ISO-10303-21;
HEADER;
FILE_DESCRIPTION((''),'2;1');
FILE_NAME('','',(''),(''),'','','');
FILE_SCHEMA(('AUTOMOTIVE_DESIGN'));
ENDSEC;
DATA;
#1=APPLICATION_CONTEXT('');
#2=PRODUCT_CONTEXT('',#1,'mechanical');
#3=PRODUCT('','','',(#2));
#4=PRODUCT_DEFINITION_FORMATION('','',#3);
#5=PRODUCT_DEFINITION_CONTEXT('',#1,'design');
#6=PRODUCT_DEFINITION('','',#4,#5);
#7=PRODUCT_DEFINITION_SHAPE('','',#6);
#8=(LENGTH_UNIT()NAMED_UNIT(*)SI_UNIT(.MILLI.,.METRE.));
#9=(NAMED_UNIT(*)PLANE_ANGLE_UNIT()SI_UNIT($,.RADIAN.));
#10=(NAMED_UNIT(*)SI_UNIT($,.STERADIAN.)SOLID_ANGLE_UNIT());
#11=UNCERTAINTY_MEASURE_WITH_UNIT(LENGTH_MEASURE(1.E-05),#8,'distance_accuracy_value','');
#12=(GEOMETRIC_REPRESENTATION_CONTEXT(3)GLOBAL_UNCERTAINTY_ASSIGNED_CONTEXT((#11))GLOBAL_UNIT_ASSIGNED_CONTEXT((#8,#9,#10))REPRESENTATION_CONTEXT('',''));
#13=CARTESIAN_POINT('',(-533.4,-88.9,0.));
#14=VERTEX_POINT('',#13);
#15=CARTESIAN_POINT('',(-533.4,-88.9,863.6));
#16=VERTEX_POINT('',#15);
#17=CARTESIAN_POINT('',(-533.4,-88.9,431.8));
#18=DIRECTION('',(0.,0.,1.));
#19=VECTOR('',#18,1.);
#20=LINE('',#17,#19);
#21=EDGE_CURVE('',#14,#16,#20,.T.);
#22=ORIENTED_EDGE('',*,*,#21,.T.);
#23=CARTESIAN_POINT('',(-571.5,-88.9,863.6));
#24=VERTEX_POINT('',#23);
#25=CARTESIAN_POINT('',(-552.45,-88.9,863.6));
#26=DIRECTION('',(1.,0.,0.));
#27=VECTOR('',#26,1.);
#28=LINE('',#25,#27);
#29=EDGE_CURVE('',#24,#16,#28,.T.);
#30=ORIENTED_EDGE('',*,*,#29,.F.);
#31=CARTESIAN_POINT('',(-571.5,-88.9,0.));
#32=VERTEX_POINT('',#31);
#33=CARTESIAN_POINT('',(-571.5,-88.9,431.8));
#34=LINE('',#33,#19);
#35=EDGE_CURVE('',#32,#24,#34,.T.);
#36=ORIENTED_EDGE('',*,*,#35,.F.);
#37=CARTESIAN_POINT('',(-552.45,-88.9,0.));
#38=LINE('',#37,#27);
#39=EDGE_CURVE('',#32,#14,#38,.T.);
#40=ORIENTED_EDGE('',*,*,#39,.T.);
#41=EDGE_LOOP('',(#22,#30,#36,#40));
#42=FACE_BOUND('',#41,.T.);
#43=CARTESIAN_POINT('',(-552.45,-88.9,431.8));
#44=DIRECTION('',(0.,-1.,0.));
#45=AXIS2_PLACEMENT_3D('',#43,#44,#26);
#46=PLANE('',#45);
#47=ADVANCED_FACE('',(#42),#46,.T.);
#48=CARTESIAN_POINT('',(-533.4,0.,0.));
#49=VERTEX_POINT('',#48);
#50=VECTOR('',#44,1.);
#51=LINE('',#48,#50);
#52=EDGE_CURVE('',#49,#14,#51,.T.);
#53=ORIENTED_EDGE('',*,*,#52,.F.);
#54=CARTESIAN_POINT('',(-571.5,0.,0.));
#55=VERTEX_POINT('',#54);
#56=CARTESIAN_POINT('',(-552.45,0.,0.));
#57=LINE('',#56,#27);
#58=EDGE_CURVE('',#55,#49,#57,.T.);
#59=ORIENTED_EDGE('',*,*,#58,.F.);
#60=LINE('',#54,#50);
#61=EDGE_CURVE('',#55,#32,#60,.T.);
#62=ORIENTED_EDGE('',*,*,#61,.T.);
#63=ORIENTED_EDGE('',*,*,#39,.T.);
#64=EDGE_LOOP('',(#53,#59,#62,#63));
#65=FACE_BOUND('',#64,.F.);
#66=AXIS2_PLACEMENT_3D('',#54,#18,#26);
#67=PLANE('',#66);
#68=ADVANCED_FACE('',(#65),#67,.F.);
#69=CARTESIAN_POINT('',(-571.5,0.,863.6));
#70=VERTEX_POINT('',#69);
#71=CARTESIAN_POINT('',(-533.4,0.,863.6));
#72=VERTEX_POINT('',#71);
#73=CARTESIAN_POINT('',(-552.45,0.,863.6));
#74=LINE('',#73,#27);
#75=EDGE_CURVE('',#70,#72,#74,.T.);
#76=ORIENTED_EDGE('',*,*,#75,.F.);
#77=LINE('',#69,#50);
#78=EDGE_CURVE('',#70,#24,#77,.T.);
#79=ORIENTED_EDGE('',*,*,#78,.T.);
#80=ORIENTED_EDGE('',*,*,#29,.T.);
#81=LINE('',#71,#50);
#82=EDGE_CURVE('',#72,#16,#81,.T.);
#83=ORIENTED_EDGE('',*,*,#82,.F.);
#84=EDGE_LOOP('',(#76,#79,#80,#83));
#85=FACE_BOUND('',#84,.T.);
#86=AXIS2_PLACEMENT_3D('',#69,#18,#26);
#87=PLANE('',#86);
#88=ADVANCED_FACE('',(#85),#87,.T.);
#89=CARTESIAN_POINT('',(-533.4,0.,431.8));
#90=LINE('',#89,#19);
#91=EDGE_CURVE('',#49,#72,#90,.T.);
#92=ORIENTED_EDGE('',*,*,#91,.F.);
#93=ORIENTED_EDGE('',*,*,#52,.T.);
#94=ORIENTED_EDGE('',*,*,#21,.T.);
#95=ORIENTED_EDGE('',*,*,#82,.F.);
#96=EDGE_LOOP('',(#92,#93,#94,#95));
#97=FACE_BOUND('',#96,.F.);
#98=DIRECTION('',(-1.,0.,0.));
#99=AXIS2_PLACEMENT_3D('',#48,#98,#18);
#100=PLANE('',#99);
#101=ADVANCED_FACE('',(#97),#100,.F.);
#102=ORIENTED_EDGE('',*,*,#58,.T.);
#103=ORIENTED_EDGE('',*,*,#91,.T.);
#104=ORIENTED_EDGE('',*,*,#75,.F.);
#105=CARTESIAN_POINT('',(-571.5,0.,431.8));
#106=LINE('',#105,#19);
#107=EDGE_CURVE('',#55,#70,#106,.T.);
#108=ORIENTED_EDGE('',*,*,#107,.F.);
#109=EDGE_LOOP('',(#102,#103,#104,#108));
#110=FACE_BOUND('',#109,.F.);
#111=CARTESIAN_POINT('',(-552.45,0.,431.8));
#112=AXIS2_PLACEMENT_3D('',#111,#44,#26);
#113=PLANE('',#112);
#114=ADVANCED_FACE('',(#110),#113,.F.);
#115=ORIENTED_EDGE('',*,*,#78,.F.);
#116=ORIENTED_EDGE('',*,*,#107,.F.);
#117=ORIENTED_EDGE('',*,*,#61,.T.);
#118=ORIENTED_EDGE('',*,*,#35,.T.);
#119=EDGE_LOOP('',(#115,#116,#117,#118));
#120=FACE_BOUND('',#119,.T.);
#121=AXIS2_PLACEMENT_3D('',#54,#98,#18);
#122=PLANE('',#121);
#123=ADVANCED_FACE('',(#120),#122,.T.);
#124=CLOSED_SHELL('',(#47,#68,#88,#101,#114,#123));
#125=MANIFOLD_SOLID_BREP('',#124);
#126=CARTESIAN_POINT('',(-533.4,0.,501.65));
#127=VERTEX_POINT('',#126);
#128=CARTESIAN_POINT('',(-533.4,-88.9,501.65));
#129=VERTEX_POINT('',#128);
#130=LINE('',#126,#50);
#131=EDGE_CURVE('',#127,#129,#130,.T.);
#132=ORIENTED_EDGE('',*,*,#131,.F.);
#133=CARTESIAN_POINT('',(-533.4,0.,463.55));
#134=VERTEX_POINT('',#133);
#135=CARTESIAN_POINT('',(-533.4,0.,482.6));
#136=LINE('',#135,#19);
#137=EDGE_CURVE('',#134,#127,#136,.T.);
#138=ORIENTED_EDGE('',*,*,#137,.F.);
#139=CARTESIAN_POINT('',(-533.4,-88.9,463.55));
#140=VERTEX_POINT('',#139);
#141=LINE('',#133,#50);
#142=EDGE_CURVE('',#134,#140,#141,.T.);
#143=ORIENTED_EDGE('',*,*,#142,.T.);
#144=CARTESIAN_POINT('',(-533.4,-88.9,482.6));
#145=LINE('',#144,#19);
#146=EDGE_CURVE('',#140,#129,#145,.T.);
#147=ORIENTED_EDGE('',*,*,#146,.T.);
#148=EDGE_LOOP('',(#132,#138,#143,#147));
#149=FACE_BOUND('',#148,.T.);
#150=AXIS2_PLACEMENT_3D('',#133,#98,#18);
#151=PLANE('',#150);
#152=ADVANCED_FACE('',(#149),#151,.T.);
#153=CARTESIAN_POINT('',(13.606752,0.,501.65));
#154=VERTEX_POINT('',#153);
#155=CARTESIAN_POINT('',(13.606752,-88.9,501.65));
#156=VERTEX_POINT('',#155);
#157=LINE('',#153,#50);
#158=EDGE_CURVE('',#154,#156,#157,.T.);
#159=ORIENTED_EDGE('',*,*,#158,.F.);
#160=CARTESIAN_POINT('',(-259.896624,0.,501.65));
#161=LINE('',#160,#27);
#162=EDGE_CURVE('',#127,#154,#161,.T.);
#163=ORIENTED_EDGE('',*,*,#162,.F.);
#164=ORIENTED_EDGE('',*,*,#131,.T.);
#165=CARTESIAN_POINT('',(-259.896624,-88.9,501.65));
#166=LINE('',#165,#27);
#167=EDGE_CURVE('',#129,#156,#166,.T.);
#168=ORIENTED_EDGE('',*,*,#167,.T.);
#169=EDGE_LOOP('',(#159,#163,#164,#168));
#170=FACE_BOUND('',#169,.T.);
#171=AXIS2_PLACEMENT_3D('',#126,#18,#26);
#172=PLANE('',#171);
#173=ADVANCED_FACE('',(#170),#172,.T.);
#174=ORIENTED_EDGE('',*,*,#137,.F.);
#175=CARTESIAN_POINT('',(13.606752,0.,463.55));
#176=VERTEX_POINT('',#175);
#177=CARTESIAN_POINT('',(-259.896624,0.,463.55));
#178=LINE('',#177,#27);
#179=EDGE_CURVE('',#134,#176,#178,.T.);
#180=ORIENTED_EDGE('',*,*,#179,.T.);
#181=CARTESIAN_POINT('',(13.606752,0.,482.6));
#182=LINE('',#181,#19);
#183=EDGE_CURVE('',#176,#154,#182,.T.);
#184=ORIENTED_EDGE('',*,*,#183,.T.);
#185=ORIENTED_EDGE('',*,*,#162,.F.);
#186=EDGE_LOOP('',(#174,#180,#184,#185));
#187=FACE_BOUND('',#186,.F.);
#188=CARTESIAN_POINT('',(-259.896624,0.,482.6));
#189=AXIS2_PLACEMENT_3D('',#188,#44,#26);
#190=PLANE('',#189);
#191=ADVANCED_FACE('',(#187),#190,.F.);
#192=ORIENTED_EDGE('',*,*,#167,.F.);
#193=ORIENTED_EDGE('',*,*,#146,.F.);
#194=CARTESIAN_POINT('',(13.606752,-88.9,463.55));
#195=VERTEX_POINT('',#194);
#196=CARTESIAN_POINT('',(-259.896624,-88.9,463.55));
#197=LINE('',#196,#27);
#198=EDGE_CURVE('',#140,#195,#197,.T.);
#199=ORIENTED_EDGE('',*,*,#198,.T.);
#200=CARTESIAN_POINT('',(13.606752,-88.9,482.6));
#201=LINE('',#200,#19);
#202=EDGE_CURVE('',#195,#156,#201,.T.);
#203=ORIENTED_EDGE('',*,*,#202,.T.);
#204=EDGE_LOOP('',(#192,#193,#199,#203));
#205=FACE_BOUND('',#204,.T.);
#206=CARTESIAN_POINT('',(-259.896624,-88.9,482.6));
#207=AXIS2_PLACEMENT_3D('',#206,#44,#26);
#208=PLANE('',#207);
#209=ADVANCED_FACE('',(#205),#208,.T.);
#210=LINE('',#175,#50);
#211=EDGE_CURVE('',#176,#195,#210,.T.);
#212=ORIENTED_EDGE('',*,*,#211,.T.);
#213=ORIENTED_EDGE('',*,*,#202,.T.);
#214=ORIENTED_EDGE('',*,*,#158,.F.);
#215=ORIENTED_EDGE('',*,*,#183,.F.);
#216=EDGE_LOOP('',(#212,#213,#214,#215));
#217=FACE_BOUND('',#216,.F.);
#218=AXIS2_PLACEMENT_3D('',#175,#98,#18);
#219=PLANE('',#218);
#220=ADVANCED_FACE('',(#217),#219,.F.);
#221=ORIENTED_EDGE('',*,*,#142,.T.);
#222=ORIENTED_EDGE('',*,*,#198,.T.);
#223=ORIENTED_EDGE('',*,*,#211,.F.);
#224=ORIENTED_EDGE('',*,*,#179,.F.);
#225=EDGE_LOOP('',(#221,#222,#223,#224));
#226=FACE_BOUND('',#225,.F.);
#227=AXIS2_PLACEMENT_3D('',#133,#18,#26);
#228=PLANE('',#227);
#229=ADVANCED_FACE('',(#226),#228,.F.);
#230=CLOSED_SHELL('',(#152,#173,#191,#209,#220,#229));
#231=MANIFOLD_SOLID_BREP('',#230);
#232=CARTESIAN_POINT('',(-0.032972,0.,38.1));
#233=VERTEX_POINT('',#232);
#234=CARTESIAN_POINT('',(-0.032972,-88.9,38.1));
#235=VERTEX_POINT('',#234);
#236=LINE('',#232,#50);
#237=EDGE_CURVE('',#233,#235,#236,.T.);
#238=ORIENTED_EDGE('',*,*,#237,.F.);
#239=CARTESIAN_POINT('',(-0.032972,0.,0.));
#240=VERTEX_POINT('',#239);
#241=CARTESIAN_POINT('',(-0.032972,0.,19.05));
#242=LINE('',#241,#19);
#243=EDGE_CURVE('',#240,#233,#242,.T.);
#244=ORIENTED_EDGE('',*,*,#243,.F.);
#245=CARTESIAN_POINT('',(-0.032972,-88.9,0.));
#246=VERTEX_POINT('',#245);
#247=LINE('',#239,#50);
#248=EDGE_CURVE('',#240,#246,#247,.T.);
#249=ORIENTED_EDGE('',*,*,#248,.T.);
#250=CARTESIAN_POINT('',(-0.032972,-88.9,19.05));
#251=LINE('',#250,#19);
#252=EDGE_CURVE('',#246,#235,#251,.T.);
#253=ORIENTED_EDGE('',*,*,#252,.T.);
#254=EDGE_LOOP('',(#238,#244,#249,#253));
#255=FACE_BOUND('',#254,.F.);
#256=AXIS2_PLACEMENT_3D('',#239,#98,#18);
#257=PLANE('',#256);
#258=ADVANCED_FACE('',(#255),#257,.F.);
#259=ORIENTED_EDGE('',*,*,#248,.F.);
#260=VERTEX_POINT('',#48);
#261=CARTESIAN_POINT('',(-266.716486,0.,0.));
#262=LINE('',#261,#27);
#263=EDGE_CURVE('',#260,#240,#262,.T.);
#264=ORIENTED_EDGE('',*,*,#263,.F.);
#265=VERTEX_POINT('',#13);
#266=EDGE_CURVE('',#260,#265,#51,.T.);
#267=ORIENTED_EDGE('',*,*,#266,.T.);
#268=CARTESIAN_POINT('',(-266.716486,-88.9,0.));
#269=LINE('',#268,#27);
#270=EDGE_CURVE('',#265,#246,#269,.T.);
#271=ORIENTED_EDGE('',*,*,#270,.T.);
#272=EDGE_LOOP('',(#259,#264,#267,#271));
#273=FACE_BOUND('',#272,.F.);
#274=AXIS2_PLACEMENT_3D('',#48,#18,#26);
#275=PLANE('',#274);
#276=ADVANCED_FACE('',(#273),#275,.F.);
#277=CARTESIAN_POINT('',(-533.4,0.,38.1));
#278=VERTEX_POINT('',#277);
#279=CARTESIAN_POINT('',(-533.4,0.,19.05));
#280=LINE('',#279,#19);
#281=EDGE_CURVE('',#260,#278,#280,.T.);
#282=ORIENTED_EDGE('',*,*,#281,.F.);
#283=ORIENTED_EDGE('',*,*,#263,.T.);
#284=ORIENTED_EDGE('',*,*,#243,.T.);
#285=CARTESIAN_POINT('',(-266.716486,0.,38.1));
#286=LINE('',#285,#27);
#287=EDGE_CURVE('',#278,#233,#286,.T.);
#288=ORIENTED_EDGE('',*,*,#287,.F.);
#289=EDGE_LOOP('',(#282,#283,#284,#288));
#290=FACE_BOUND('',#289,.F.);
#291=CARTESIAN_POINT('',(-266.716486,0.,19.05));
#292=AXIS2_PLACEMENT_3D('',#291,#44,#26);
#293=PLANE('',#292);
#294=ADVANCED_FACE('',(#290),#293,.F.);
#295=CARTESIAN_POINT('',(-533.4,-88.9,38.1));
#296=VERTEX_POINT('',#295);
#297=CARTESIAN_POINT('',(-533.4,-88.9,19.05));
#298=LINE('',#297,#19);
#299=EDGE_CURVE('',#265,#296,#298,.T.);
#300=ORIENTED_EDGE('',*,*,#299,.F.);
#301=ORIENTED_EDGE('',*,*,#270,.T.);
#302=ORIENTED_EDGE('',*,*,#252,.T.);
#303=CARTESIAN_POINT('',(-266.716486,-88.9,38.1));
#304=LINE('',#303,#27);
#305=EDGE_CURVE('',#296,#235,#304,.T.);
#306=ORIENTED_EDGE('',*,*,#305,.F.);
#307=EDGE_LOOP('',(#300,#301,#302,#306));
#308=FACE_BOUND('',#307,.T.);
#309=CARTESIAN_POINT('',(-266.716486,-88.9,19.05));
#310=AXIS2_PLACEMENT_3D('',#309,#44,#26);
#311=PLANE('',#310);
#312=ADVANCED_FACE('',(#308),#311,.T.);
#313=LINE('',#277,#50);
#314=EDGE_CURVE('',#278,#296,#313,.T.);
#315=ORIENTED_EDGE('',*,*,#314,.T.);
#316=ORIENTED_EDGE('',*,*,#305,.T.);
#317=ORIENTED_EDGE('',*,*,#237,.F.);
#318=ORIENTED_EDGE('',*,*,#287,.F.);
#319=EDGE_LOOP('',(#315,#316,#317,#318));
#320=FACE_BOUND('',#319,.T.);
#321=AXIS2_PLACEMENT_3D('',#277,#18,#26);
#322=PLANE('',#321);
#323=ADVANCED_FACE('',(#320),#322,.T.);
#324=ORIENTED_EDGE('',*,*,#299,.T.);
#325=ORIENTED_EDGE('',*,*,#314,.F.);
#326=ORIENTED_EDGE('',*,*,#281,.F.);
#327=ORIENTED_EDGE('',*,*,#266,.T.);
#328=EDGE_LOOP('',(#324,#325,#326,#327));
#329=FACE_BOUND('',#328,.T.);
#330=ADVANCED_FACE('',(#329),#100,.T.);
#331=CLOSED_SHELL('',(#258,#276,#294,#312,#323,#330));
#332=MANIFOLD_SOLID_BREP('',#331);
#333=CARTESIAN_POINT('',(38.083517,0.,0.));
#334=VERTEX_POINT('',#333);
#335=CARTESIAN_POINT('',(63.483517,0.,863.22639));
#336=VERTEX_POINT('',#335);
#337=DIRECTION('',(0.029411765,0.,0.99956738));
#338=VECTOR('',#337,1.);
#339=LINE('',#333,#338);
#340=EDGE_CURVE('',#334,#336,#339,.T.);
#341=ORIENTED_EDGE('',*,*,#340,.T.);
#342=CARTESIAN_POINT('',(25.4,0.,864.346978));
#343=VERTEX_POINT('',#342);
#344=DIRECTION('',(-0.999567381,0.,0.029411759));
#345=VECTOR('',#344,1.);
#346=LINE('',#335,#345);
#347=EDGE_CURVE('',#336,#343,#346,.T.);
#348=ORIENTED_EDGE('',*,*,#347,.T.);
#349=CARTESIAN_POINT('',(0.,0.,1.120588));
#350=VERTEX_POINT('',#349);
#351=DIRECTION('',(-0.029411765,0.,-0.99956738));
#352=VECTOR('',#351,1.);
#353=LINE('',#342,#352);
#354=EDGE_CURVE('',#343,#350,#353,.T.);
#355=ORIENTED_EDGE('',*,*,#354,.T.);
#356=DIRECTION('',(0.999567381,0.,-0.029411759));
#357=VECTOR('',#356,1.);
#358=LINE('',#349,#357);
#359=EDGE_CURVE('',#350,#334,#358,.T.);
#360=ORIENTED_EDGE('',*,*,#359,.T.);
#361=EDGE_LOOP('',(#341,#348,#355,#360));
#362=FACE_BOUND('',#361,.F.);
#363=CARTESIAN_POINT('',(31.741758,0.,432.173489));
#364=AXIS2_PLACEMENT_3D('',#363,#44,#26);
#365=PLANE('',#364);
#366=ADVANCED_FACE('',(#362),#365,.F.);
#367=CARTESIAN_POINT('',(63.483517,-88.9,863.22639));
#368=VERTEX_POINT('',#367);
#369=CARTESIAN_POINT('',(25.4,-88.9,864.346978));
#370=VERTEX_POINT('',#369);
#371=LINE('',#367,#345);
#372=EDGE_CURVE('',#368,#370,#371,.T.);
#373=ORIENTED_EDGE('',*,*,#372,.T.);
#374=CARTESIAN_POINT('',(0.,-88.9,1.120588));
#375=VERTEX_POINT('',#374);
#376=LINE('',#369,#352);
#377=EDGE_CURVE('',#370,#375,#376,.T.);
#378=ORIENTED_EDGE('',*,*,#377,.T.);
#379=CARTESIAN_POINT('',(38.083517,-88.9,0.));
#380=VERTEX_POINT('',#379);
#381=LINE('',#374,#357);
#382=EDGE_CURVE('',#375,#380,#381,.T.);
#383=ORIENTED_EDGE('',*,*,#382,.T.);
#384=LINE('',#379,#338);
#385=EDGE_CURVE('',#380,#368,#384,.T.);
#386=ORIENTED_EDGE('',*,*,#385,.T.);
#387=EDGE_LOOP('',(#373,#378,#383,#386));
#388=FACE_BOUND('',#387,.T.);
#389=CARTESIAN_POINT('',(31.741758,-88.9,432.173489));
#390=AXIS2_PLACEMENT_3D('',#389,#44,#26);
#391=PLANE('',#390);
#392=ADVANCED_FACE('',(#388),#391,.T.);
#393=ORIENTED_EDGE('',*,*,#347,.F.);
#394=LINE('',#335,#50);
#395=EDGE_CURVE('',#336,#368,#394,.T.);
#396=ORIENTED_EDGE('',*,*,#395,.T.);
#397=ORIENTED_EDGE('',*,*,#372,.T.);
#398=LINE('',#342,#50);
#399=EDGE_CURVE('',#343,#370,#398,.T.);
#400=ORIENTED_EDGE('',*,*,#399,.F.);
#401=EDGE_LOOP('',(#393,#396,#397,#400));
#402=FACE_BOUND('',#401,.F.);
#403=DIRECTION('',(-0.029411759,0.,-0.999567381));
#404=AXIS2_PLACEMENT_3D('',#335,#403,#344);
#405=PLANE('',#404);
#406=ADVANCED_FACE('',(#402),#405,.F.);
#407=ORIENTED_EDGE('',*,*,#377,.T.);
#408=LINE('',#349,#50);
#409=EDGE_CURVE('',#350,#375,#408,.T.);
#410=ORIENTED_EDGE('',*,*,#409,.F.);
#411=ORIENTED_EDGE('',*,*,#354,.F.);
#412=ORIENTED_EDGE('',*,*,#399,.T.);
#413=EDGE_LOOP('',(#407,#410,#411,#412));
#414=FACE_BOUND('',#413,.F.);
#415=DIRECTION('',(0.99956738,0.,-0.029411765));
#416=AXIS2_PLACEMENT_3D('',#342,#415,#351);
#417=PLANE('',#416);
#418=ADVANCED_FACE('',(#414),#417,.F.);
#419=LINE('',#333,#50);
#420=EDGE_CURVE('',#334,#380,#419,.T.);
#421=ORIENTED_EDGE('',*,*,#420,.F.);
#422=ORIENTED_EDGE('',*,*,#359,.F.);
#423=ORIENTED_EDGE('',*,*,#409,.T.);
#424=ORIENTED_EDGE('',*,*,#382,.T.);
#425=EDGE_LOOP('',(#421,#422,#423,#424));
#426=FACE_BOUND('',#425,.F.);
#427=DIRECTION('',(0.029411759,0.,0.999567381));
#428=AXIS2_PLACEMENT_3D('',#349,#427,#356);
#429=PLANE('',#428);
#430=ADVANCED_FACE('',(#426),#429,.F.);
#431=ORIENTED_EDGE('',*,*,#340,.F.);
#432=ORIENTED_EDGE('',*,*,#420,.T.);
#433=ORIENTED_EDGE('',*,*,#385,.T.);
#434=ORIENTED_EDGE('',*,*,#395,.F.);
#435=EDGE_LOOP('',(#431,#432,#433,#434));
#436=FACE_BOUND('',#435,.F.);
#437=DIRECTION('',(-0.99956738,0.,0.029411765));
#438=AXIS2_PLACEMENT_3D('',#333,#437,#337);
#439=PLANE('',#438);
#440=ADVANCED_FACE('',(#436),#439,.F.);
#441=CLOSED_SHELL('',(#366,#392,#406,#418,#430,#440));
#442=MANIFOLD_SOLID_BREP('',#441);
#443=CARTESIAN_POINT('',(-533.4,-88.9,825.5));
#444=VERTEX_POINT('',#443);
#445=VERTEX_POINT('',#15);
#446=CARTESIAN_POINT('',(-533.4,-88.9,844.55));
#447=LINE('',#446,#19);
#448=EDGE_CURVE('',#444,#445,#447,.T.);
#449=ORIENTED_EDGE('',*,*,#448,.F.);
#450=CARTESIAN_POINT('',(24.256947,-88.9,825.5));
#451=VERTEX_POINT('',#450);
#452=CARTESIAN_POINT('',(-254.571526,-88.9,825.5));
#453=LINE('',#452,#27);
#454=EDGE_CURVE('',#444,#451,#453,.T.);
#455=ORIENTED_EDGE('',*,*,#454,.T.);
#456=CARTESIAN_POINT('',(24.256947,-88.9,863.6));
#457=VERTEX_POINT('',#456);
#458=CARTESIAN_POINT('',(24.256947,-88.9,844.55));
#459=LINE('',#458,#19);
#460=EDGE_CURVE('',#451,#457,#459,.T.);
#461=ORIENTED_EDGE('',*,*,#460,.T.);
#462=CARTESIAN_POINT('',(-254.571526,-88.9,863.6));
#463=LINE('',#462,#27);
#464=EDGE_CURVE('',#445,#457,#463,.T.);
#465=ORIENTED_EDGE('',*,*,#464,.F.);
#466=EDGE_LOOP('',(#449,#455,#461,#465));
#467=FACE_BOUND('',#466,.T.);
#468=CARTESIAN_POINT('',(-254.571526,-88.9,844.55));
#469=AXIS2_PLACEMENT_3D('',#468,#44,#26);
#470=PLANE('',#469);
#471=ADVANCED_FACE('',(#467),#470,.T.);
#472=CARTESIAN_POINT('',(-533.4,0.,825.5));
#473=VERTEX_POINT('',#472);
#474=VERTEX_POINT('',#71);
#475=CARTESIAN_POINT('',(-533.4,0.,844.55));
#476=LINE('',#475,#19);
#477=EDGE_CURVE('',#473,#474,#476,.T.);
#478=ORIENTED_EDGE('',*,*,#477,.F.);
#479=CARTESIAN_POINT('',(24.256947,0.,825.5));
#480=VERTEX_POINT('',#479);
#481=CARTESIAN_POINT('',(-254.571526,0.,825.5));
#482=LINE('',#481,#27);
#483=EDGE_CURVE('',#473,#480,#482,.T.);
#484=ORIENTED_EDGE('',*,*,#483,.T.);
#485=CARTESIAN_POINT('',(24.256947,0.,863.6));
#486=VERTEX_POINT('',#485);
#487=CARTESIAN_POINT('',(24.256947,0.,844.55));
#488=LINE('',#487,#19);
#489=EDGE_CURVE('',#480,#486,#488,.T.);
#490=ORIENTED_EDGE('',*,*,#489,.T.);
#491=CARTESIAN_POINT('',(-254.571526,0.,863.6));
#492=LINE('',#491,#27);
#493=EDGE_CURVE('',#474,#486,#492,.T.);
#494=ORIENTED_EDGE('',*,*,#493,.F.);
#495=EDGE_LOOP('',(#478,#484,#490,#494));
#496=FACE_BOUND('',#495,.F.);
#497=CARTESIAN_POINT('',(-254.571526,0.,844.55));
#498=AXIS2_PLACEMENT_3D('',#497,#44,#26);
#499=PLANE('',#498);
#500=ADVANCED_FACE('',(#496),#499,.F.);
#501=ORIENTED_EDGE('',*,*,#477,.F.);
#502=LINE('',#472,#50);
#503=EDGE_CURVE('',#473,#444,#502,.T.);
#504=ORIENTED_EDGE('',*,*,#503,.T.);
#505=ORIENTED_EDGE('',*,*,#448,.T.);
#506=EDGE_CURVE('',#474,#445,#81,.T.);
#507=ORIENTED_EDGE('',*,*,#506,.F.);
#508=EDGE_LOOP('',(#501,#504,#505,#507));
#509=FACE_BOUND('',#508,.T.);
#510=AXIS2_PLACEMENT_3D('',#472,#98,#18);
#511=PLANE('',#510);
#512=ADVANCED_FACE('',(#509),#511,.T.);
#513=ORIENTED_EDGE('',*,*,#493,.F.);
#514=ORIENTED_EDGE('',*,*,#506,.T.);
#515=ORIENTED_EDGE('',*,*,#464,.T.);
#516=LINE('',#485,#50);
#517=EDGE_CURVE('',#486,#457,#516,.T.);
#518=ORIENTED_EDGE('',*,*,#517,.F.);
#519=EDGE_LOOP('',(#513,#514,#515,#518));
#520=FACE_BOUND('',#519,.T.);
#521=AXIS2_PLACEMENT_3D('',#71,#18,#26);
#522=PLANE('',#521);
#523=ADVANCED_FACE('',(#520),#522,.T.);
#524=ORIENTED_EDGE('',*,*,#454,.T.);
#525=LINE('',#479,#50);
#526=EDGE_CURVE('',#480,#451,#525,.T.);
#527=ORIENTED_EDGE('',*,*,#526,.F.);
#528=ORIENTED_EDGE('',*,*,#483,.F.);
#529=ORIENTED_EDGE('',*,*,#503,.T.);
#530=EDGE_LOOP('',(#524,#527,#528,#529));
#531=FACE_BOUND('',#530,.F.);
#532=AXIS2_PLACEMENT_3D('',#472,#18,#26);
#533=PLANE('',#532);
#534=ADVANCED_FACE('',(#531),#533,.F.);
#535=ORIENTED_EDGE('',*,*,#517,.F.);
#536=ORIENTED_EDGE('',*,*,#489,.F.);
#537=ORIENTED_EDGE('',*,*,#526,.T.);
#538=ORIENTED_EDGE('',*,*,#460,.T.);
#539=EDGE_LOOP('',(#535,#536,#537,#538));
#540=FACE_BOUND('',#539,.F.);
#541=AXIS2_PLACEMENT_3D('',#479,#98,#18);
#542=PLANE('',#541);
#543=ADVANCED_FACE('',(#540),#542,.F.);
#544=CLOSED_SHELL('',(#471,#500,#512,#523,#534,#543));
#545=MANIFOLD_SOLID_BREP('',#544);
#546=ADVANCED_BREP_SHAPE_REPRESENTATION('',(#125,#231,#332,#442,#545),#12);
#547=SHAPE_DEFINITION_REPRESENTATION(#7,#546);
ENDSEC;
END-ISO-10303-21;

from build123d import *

# Parameters (mm, degrees)
F0_W     = 38.1
F0_H     = 863.6
F1_DEPTH = 88.9
F2_W     = 557.656947
F2_H     = 38.1
F2_W_2   = 533.367027
F2_W_3   = 547.006752
F3_DEPTH = 88.9


with BuildPart() as f1:
    # F0 (on Front) → F1 (new body)
    with BuildSketch(Plane.XZ):
        with Locations((-552.45, 431.8)):
            Rectangle(F0_W, F0_H)
        Polygon((63.483517, 863.22639), (25.4, 864.346978), (0, 1.120588), (38.083517, 0), align=None)
    extrude(amount=F1_DEPTH)


with BuildPart() as f3:
    # F2 (on Front) → F3 (new body)
    with BuildSketch(Plane.XZ):
        with Locations((-254.571526, 844.55)):
            Rectangle(F2_W, F2_H)
        with Locations((-266.716486, 19.05)):
            Rectangle(F2_W_2, F2_H)
        with Locations((-259.896624, 482.6)):
            Rectangle(F2_W_3, F2_H)
    extrude(amount=F3_DEPTH)


solid = Compound([f1.part, f3.part])
